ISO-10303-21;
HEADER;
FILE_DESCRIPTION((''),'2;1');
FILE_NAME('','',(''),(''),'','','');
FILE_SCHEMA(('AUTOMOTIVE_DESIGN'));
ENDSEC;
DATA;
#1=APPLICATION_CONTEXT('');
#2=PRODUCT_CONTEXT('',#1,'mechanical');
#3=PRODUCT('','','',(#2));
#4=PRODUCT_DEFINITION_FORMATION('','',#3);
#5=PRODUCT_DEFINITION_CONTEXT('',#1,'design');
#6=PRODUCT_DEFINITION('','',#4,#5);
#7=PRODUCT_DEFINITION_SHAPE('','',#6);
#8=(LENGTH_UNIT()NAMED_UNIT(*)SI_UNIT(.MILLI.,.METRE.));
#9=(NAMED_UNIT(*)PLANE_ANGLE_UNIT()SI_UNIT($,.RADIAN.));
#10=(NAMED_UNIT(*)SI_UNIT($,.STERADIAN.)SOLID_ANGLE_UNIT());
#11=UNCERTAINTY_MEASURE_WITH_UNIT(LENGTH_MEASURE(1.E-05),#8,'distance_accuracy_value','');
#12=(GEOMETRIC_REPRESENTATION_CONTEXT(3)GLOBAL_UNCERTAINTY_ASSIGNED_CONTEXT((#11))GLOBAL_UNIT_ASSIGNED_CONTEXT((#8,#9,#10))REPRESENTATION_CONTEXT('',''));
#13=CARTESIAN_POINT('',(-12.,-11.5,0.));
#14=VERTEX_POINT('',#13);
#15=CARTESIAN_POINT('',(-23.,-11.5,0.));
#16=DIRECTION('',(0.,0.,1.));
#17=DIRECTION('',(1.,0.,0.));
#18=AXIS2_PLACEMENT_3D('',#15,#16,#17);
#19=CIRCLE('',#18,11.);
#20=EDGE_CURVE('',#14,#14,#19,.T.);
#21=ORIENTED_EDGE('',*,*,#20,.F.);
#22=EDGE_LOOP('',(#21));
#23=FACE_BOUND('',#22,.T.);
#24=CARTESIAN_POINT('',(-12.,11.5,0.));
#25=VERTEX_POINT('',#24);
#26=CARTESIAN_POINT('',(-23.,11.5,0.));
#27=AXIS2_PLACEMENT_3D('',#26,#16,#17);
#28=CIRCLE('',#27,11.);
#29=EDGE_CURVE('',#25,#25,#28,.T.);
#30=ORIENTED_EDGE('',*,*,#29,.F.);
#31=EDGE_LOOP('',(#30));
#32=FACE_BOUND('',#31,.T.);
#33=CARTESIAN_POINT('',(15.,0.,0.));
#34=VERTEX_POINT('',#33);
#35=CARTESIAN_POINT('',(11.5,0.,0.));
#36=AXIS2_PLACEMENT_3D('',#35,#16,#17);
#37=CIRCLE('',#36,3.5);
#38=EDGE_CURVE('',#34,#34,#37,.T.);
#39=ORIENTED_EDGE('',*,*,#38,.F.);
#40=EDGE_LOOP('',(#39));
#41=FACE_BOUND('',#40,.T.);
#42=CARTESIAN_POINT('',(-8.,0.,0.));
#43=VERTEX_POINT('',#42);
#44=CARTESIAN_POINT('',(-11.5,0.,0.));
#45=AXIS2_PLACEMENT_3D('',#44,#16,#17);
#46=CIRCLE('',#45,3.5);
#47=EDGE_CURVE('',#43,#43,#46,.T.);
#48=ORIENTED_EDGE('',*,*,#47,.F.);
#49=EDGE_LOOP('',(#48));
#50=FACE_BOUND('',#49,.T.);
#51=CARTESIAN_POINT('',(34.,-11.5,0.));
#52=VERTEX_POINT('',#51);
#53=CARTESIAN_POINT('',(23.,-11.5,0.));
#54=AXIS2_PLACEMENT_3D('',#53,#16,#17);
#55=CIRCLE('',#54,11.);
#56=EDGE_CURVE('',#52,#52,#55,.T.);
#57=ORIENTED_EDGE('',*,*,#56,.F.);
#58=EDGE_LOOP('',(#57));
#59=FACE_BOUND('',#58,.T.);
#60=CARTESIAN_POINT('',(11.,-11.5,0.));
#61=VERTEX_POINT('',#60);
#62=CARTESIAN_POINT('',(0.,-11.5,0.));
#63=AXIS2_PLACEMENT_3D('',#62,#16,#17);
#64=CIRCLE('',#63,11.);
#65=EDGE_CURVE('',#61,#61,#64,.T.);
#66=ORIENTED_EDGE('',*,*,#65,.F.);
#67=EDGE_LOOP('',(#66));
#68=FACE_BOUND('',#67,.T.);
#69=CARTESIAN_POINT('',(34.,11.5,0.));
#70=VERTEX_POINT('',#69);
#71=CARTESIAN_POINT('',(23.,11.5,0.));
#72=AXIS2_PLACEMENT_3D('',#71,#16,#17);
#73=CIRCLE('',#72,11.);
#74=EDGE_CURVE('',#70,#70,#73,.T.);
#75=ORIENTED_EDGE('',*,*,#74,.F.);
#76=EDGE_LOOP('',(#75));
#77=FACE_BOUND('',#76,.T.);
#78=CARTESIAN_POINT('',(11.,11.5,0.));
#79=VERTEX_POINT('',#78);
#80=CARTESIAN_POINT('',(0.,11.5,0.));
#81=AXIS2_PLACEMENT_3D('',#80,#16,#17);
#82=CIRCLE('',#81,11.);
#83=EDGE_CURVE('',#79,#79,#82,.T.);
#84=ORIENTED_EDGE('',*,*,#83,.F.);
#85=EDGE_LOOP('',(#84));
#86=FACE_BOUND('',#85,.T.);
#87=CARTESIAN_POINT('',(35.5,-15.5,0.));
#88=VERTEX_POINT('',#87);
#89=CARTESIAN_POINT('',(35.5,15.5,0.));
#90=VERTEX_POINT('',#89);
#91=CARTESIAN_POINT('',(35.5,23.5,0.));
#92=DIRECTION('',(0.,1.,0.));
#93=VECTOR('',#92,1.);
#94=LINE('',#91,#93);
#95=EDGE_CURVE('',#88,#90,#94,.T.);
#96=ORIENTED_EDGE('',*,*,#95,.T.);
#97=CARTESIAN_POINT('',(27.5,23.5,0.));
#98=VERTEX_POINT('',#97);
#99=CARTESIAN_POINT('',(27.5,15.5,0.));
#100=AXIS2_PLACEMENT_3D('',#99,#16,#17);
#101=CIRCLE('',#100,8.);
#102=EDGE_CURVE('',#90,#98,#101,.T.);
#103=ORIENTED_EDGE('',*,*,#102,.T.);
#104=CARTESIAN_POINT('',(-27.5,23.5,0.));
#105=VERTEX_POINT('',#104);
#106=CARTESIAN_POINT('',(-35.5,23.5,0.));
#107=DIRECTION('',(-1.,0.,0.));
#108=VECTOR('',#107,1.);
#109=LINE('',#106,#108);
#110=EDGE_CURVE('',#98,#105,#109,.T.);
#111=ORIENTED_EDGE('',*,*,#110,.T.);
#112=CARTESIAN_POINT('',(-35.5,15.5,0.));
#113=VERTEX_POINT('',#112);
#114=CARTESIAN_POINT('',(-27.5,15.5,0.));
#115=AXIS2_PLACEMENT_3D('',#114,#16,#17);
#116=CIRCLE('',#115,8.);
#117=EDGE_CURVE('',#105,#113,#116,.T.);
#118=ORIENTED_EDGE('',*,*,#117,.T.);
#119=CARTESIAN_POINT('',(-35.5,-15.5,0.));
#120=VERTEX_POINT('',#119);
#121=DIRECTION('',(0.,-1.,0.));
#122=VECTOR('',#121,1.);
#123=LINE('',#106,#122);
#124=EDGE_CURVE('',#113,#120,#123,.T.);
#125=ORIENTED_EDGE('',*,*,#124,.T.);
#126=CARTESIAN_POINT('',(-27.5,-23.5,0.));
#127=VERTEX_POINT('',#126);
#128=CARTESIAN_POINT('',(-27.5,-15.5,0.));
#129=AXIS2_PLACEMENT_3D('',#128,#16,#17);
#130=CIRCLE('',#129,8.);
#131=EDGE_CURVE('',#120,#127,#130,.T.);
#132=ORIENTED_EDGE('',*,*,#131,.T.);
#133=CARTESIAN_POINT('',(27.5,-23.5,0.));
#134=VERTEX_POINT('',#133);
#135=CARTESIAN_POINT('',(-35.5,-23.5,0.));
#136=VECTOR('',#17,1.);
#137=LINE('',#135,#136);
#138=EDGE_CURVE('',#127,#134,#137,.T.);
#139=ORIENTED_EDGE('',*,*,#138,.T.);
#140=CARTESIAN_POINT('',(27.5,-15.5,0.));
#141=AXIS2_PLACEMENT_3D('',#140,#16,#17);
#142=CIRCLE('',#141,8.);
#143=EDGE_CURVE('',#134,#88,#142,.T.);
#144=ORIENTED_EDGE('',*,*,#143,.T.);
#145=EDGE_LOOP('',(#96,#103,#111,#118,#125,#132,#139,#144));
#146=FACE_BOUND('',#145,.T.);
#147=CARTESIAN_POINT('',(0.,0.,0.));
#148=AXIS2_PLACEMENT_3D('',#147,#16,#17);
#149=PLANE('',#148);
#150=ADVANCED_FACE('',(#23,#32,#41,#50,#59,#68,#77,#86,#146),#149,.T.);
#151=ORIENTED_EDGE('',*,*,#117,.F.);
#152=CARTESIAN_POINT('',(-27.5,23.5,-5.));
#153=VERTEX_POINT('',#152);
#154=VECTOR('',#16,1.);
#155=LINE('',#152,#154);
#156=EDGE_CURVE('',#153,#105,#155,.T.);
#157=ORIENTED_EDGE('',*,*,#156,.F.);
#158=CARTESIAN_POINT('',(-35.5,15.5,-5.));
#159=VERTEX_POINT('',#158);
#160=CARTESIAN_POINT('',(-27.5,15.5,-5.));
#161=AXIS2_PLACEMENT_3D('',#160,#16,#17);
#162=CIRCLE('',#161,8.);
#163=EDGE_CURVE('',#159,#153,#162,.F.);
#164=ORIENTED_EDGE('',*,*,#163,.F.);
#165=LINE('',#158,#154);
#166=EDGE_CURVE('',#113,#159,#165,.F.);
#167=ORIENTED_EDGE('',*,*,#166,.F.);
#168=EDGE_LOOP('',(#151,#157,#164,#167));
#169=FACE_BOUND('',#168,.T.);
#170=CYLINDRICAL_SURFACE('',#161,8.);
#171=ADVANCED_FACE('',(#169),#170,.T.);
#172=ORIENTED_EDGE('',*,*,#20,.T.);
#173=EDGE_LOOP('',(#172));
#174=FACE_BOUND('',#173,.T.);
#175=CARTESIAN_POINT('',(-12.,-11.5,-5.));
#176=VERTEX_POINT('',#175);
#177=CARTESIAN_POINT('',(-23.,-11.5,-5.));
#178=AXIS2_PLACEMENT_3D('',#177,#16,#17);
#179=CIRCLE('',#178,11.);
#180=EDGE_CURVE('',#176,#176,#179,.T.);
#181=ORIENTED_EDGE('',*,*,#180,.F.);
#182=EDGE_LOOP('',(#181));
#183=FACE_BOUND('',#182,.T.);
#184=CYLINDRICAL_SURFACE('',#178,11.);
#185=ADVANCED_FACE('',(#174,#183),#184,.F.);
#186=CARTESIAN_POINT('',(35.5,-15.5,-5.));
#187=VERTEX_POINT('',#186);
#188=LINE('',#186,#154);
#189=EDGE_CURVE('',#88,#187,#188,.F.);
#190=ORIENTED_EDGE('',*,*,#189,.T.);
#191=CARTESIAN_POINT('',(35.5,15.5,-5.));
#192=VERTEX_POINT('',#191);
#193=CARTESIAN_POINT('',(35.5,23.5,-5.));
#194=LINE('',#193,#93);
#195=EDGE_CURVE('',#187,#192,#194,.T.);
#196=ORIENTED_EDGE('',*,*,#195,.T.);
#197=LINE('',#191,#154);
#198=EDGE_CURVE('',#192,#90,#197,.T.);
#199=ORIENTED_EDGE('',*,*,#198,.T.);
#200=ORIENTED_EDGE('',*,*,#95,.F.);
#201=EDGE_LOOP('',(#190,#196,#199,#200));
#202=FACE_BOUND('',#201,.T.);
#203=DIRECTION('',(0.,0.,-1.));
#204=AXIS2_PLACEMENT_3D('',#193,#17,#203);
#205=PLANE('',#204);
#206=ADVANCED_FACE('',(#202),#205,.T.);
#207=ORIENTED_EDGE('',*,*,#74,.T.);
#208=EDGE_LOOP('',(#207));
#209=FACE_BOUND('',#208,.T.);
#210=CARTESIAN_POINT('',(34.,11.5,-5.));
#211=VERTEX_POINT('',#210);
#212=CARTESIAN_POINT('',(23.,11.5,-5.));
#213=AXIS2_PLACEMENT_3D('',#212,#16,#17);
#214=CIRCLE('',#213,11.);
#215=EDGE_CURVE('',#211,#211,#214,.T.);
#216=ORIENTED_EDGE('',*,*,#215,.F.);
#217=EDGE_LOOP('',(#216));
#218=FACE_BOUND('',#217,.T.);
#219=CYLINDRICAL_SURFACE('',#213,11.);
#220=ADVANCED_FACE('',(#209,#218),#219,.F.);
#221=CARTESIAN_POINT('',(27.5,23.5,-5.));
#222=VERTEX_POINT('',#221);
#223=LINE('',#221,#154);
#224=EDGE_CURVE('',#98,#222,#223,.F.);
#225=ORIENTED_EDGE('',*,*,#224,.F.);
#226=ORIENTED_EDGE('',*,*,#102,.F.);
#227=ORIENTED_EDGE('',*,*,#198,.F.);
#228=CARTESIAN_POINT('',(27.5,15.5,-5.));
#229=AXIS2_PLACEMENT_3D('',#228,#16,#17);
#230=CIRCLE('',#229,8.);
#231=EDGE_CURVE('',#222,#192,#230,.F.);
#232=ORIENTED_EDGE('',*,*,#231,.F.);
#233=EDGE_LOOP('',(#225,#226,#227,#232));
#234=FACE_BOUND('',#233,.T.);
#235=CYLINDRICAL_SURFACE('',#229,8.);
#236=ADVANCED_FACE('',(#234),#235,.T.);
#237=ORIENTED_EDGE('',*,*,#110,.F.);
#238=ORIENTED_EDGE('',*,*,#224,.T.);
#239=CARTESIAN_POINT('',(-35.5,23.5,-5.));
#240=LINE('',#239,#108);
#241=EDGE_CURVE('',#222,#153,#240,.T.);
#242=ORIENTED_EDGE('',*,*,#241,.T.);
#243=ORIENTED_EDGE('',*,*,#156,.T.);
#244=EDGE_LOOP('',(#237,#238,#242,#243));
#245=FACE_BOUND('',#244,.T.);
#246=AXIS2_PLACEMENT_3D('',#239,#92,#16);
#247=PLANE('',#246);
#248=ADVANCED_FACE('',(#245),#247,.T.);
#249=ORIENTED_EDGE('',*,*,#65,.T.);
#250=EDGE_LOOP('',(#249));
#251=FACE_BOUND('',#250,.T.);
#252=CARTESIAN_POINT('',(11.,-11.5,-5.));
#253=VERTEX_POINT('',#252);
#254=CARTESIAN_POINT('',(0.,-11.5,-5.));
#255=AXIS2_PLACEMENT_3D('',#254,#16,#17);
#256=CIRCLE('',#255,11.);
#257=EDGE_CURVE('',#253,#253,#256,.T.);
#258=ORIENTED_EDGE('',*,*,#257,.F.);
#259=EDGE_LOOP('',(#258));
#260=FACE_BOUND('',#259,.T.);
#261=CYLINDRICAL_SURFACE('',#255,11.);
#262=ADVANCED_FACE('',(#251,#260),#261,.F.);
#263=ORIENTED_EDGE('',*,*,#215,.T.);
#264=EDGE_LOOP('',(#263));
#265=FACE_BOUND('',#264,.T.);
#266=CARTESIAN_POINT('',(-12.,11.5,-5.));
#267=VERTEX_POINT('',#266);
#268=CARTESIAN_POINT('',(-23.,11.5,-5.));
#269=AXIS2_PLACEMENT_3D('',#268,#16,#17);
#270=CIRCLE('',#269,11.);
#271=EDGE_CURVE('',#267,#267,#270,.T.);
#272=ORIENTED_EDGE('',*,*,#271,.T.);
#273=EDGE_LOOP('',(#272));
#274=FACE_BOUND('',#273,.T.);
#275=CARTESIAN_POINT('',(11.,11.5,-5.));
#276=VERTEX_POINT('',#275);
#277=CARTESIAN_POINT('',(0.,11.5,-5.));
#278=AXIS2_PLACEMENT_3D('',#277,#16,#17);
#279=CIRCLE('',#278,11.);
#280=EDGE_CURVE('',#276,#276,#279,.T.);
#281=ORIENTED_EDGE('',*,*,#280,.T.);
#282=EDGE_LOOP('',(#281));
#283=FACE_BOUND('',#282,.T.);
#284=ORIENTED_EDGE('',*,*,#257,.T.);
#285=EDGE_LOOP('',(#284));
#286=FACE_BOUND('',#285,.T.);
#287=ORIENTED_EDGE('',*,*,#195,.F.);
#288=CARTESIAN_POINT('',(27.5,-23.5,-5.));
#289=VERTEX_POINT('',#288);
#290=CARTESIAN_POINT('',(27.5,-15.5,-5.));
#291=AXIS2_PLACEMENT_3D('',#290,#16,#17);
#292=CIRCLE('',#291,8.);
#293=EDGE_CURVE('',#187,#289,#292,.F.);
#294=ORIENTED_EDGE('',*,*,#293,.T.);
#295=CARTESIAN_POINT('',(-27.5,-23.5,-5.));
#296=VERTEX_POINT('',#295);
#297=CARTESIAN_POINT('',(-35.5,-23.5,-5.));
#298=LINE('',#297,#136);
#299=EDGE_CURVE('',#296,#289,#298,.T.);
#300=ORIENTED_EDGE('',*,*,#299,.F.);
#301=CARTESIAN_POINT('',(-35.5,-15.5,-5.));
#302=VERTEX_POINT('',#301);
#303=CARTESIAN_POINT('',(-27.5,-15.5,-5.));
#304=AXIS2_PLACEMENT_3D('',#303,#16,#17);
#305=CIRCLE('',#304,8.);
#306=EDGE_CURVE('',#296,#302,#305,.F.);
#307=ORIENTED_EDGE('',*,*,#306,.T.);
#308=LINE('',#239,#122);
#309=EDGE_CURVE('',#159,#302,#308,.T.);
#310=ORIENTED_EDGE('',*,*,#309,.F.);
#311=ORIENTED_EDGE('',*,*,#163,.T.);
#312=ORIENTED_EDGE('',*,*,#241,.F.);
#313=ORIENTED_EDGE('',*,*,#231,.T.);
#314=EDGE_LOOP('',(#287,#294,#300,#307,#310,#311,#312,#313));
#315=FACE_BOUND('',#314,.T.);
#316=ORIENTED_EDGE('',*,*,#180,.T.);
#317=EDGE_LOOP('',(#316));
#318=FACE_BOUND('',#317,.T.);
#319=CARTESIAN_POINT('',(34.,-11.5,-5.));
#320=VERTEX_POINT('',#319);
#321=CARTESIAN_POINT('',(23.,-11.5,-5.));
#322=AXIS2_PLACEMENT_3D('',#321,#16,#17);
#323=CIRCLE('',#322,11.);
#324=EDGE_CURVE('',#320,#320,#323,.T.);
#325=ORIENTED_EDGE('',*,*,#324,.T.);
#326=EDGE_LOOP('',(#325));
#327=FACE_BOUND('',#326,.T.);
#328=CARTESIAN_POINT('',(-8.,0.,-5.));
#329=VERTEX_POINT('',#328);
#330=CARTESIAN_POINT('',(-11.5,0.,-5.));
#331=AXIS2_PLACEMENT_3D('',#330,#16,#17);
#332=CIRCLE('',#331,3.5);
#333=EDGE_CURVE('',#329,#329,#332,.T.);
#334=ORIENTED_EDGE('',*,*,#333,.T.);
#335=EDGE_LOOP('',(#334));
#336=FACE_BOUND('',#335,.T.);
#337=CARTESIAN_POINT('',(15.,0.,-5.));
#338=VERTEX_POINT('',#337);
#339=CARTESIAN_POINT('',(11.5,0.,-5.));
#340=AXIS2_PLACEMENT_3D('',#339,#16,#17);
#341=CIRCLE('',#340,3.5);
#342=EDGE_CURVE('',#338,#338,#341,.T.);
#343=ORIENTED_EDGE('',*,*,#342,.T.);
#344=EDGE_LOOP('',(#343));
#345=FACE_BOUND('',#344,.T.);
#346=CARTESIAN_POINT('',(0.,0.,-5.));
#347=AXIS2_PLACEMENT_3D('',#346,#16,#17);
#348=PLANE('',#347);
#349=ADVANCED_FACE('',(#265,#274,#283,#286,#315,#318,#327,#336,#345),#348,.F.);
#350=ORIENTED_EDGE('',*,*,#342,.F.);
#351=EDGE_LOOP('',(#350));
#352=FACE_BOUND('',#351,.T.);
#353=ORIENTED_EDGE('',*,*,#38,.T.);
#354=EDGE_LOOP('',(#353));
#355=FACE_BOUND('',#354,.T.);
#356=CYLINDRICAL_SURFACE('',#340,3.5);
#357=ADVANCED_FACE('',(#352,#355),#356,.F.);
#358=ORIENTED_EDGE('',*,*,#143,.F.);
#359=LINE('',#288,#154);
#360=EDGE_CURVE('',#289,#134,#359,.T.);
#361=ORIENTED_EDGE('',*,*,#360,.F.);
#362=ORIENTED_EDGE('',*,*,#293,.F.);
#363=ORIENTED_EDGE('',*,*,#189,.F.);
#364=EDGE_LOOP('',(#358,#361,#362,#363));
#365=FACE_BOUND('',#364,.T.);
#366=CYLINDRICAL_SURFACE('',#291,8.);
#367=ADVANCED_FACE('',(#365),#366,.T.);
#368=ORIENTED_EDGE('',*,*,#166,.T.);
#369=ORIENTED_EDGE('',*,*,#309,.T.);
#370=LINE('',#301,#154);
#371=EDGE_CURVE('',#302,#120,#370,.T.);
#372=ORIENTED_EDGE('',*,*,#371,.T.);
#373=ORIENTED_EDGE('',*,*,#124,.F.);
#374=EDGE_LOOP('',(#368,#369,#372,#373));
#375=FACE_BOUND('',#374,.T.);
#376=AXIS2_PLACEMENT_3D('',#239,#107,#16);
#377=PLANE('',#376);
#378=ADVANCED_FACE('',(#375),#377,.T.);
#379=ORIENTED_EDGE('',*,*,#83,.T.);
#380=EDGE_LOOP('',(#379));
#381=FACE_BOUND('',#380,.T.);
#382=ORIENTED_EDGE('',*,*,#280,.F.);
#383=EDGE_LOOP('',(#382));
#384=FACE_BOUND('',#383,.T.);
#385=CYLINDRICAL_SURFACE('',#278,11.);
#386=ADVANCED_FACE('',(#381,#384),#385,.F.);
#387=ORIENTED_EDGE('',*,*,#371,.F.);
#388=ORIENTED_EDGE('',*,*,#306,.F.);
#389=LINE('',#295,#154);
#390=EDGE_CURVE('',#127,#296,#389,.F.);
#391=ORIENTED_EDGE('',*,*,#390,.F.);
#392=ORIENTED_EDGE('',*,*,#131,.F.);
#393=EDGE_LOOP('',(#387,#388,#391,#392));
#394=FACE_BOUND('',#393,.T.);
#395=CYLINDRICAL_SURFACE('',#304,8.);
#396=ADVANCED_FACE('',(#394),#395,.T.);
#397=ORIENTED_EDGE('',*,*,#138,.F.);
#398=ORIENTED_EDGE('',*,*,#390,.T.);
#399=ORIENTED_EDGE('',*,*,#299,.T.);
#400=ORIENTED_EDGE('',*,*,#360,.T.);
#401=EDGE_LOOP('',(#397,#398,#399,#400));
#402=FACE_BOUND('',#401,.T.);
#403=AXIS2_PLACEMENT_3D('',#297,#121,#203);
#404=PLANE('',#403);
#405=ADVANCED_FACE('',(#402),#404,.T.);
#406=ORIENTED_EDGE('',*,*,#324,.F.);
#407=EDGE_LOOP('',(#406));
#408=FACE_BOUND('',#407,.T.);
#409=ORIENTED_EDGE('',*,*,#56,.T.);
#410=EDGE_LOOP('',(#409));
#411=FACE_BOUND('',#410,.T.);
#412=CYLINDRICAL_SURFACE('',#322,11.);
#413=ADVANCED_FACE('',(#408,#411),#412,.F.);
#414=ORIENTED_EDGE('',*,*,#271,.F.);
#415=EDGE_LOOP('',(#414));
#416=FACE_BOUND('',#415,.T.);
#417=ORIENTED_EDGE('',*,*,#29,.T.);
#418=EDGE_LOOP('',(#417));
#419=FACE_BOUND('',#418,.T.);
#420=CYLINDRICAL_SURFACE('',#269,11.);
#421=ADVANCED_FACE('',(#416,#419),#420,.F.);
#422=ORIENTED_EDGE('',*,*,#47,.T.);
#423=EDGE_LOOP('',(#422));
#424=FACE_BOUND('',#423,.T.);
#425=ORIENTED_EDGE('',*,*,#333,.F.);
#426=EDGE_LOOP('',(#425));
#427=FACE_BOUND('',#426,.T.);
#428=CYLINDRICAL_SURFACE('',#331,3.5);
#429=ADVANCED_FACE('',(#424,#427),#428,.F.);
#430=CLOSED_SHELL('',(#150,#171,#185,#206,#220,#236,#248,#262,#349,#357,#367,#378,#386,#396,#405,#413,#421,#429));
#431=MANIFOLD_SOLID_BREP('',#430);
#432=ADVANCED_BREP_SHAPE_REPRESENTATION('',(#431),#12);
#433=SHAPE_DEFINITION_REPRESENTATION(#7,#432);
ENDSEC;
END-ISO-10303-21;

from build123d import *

# Parameters (mm, degrees)
SKETCH_1_W      = 71
SKETCH_1_H      = 47
SKETCH_1_R      = 11
SKETCH_1_R_2    = 3.5
EXTRUDE_2_DEPTH = 5
FILLET_1_R      = 8


with BuildPart() as part:
    # 草图1 → 凸台-拉伸2 (new body)
    with BuildSketch(Plane.XY):
        Rectangle(SKETCH_1_W, SKETCH_1_H)
        with Locations((-23, 11.5)):
            Circle(SKETCH_1_R, mode=Mode.SUBTRACT)
        with Locations((0, 11.5)):
            Circle(SKETCH_1_R, mode=Mode.SUBTRACT)
        with Locations((23, 11.5)):
            Circle(SKETCH_1_R, mode=Mode.SUBTRACT)
        with Locations((23, -11.5)):
            Circle(SKETCH_1_R, mode=Mode.SUBTRACT)
        with Locations((0, -11.5)):
            Circle(SKETCH_1_R, mode=Mode.SUBTRACT)
        with Locations((-23, -11.5)):
            Circle(SKETCH_1_R, mode=Mode.SUBTRACT)
        with Locations((11.5, 0)):
            Circle(SKETCH_1_R_2, mode=Mode.SUBTRACT)
        with Locations((-11.5, 0)):
            Circle(SKETCH_1_R_2, mode=Mode.SUBTRACT)
    extrude(amount=-EXTRUDE_2_DEPTH)

    # 圆角1
    fillet_1_edges = [part.edges().sort_by_distance(p)[0] for p in [
        (35.5, -23.5, -2.5),
        (-35.5, -23.5, -2.5),
        (-35.5, 23.5, -2.5),
        (35.5, 23.5, -2.5),
    ]]
    fillet(fillet_1_edges, radius=FILLET_1_R)


solid = part.part
